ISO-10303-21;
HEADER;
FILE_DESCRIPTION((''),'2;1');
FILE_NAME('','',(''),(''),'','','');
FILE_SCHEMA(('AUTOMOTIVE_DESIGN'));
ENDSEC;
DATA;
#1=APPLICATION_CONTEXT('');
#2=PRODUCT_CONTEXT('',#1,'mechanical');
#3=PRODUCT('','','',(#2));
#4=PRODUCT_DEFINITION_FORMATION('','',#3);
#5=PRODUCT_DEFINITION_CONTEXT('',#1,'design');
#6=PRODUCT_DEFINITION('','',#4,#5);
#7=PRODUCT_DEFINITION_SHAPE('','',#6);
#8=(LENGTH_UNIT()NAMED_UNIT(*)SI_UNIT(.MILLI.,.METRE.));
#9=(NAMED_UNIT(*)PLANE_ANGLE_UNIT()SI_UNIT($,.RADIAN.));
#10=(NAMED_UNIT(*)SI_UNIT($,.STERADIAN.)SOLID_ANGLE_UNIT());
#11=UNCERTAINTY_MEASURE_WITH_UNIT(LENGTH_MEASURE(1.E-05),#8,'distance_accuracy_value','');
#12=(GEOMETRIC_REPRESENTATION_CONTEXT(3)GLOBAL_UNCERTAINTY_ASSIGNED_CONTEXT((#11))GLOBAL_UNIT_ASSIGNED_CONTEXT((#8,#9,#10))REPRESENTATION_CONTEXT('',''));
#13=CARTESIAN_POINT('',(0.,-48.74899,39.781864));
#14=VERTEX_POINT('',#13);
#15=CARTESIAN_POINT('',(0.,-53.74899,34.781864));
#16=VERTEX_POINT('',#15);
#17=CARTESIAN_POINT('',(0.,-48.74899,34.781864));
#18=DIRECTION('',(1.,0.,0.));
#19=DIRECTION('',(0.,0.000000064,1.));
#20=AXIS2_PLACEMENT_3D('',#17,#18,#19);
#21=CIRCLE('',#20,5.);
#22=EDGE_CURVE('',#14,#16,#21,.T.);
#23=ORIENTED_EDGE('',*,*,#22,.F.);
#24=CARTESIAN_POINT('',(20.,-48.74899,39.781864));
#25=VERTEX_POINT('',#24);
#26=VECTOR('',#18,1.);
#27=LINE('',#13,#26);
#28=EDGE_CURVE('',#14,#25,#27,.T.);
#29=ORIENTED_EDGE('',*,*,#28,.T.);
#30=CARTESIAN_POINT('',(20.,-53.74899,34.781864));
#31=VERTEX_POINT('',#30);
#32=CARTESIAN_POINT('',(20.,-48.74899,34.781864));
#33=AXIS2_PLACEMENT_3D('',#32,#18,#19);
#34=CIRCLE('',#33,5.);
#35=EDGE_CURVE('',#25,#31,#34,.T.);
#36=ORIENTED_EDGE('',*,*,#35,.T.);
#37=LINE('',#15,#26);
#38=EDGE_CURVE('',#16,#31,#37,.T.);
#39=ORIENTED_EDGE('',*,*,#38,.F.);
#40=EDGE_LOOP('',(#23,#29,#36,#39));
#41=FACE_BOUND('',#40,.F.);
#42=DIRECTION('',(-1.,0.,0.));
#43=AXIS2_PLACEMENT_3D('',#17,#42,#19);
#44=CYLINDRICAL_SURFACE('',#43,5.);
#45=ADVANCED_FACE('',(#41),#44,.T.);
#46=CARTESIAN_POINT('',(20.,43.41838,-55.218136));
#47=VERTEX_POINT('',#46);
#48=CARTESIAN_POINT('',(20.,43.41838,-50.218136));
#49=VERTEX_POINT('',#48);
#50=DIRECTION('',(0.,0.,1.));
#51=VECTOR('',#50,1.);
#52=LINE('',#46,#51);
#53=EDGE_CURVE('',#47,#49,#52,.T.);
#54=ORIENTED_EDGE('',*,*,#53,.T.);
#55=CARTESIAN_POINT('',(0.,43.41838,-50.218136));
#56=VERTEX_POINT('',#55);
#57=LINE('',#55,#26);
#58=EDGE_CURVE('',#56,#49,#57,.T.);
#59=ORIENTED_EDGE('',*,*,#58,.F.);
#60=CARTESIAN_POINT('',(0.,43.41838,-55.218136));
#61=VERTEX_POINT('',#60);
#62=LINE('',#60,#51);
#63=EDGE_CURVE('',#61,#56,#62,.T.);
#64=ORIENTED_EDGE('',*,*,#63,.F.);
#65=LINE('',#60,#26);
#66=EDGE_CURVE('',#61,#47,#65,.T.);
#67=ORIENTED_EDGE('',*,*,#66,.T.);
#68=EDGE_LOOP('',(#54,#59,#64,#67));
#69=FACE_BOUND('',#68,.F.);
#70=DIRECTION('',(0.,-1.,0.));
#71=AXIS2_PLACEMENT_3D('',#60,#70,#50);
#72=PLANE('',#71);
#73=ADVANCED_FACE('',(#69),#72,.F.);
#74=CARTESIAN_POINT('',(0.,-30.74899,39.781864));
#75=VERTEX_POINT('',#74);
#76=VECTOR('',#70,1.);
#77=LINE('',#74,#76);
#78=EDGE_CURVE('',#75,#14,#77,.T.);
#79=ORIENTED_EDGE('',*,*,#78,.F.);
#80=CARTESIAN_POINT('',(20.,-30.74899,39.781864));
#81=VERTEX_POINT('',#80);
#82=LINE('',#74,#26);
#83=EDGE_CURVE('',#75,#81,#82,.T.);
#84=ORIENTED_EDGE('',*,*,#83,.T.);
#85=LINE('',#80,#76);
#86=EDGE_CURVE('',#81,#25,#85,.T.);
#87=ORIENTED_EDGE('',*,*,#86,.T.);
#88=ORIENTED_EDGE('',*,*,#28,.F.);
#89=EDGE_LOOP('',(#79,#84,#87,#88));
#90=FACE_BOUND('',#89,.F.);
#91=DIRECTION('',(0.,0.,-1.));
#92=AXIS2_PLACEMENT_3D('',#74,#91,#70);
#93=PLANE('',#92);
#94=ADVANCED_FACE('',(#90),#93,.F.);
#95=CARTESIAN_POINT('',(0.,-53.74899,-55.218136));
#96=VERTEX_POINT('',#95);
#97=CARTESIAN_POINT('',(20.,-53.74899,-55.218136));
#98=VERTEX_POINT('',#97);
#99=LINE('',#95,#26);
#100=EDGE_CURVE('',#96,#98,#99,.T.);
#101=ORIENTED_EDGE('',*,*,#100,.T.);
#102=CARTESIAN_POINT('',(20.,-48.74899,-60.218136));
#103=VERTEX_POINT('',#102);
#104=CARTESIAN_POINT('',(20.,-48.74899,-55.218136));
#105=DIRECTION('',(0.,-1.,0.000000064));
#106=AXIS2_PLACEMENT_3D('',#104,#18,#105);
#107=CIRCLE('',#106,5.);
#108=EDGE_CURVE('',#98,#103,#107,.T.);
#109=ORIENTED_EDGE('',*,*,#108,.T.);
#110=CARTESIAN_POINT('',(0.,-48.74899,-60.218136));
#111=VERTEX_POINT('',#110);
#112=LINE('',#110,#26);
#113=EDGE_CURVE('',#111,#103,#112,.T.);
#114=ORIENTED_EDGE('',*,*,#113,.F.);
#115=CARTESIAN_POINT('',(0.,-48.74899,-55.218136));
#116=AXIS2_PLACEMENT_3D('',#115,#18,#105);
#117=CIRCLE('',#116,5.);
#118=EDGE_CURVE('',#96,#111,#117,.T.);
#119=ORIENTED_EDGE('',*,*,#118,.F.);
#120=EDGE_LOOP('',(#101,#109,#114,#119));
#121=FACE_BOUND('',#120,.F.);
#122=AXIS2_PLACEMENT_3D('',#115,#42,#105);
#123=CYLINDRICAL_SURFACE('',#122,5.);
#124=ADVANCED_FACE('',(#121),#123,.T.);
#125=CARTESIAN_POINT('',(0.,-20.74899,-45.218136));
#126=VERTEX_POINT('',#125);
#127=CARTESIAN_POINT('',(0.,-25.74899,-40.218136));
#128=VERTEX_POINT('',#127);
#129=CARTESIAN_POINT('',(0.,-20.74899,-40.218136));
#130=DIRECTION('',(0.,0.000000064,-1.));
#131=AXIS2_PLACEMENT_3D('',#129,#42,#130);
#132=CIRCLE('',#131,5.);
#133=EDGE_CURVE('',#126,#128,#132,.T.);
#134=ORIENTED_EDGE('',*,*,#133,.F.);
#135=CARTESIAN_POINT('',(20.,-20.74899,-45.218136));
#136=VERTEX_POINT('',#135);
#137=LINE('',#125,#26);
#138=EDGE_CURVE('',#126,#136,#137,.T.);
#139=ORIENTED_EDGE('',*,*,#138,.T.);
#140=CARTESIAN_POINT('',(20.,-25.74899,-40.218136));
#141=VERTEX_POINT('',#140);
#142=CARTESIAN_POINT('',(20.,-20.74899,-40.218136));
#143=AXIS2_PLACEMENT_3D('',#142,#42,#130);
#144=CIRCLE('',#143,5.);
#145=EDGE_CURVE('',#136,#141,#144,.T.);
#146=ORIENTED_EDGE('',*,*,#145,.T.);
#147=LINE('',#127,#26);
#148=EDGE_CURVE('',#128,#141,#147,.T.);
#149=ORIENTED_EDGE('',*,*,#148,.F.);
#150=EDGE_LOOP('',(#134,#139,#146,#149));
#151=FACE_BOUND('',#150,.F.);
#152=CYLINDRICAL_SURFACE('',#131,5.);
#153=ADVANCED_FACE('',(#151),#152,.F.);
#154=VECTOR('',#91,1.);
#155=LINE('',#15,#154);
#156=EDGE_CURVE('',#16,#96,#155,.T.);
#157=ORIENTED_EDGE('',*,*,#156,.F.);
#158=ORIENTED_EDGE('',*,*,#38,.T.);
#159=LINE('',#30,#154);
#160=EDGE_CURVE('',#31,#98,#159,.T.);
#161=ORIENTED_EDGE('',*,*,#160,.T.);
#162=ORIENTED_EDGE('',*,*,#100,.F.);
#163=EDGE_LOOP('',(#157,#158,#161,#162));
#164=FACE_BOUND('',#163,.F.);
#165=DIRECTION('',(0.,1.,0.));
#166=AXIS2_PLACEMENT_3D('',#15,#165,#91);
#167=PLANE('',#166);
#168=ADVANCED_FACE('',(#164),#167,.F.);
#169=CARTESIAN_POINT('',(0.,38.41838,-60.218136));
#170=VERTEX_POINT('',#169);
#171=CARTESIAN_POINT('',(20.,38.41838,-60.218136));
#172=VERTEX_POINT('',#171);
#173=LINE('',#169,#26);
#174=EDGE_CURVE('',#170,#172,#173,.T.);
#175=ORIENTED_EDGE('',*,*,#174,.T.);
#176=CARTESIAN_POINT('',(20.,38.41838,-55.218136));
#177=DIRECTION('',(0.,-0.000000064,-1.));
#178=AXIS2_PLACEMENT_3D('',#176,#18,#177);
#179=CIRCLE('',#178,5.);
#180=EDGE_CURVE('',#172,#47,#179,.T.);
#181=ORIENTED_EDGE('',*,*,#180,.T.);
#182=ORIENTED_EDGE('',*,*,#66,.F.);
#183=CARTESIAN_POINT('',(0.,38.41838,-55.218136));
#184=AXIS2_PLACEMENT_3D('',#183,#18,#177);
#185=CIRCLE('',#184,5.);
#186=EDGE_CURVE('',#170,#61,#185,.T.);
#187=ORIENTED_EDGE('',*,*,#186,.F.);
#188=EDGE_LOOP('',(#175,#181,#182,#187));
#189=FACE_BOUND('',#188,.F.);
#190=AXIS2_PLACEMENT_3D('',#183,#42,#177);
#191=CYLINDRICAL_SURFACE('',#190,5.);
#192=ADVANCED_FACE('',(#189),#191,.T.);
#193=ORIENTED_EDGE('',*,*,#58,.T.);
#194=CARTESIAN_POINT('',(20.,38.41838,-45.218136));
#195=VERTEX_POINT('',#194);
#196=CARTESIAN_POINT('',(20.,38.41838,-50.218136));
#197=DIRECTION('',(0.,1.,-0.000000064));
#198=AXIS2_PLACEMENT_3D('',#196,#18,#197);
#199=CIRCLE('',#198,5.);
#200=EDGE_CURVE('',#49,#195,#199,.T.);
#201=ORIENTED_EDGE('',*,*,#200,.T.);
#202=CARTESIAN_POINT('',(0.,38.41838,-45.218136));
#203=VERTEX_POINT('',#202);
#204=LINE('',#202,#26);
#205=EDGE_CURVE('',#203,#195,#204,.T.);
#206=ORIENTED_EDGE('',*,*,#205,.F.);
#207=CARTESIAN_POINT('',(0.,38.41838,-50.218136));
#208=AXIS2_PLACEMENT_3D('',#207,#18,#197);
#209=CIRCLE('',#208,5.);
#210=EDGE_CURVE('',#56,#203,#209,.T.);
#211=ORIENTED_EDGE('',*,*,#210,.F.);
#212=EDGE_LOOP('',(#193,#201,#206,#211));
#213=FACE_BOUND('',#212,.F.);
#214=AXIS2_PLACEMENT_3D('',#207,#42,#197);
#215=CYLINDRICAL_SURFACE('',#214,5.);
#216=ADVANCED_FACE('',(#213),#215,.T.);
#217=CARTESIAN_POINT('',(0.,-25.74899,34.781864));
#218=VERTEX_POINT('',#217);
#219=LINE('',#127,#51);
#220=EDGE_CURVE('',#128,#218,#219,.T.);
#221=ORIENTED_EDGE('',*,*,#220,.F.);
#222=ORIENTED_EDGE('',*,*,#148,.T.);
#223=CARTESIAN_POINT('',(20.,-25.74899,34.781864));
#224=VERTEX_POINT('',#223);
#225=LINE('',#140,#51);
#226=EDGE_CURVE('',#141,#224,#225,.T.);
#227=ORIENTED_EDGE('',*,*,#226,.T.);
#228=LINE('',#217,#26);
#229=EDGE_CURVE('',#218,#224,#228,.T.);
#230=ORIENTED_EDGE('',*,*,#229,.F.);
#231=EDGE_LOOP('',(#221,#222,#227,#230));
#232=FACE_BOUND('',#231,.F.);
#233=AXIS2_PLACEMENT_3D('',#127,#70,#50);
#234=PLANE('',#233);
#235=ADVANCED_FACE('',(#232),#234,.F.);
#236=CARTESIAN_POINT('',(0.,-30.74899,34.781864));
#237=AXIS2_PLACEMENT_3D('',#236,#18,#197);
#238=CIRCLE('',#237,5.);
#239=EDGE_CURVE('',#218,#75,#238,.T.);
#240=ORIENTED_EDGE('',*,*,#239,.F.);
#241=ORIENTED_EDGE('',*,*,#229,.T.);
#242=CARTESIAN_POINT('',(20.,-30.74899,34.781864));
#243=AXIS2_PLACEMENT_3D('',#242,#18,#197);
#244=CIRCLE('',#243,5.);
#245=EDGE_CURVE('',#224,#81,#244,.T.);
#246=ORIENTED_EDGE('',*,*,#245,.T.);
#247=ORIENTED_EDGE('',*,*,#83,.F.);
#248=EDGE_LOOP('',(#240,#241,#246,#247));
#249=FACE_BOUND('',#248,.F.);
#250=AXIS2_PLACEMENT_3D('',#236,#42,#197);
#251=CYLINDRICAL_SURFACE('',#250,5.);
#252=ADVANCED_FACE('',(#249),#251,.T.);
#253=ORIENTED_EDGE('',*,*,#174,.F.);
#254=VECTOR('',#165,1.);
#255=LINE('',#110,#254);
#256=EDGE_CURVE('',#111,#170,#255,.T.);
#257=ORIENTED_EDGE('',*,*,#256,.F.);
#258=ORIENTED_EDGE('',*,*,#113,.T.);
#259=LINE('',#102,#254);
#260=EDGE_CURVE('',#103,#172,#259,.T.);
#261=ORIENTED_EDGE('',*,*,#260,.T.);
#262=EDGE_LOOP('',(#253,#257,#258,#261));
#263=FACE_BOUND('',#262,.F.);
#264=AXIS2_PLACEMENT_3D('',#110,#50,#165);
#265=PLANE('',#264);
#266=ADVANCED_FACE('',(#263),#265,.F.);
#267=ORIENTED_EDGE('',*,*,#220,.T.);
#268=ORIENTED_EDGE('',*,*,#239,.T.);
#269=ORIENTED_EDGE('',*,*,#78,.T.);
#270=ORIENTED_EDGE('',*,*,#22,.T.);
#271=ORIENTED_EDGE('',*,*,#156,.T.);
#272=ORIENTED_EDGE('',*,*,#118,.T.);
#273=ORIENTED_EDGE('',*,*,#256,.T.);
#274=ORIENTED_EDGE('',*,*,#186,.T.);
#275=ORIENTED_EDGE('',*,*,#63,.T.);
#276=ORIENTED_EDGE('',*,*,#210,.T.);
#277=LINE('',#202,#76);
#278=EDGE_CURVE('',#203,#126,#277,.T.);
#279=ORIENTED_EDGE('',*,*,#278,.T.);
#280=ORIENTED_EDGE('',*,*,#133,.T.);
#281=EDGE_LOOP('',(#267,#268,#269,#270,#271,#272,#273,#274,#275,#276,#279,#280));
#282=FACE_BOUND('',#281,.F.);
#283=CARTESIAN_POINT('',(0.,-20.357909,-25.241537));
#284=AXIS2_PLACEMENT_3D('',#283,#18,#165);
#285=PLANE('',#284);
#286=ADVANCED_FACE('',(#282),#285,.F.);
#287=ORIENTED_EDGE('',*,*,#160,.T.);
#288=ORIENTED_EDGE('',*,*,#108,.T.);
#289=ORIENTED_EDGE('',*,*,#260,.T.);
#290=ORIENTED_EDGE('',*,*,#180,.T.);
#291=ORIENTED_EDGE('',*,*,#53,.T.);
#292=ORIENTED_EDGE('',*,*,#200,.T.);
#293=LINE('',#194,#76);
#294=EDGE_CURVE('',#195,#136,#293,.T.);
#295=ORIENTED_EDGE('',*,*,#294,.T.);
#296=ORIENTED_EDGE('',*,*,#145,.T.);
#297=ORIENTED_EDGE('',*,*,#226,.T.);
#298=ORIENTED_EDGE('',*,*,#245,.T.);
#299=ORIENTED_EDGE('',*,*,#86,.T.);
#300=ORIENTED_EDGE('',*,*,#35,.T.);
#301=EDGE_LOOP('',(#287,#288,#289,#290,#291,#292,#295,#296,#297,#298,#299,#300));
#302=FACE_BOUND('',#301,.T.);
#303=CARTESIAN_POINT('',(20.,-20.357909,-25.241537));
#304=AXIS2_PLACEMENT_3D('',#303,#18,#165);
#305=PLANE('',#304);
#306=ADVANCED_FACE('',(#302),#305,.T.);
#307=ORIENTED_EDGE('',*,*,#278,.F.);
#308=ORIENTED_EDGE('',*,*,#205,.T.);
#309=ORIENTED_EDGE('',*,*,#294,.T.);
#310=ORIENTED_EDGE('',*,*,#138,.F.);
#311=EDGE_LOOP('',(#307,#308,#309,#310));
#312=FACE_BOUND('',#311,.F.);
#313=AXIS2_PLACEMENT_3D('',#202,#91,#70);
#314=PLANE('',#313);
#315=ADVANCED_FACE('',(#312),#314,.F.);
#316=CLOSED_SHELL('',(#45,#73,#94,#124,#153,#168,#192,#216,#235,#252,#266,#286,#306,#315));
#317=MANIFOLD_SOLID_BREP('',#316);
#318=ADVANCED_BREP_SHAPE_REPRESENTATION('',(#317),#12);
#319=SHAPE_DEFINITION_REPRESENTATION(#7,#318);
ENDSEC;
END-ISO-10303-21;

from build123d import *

# Parameters (mm, degrees)
F1_DEPTH = 20


with BuildPart() as f1:
    # F0 (on Right) → F1 (new body)
    with BuildSketch(Plane.YZ):
        with BuildLine():
            Line((-30.74899, 39.781864), (-48.74899, 39.781864))
            ThreePointArc((-48.74899, 39.781864), (-52.284524, 38.317398), (-53.74899, 34.781864))
            Line((-53.74899, 34.781864), (-53.74899, -55.218136))
            ThreePointArc((-53.74899, -55.218136), (-52.284524, -58.75367), (-48.74899, -60.218136))
            Line((-48.74899, -60.218136), (38.41838, -60.218136))
            ThreePointArc((38.41838, -60.218136), (41.953914, -58.75367), (43.41838, -55.218136))
            Line((43.41838, -55.218136), (43.41838, -50.218136))
            ThreePointArc((43.41838, -50.218136), (41.953914, -46.682602), (38.41838, -45.218136))
            Line((38.41838, -45.218136), (-20.74899, -45.218136))
            ThreePointArc((-20.74899, -45.218136), (-24.284524, -43.75367), (-25.74899, -40.218136))
            Line((-25.74899, -40.218136), (-25.74899, 34.781864))
            ThreePointArc((-25.74899, 34.781864), (-27.213456, 38.317398), (-30.74899, 39.781864))
        make_face()
    extrude(amount=F1_DEPTH)


solid = f1.part
